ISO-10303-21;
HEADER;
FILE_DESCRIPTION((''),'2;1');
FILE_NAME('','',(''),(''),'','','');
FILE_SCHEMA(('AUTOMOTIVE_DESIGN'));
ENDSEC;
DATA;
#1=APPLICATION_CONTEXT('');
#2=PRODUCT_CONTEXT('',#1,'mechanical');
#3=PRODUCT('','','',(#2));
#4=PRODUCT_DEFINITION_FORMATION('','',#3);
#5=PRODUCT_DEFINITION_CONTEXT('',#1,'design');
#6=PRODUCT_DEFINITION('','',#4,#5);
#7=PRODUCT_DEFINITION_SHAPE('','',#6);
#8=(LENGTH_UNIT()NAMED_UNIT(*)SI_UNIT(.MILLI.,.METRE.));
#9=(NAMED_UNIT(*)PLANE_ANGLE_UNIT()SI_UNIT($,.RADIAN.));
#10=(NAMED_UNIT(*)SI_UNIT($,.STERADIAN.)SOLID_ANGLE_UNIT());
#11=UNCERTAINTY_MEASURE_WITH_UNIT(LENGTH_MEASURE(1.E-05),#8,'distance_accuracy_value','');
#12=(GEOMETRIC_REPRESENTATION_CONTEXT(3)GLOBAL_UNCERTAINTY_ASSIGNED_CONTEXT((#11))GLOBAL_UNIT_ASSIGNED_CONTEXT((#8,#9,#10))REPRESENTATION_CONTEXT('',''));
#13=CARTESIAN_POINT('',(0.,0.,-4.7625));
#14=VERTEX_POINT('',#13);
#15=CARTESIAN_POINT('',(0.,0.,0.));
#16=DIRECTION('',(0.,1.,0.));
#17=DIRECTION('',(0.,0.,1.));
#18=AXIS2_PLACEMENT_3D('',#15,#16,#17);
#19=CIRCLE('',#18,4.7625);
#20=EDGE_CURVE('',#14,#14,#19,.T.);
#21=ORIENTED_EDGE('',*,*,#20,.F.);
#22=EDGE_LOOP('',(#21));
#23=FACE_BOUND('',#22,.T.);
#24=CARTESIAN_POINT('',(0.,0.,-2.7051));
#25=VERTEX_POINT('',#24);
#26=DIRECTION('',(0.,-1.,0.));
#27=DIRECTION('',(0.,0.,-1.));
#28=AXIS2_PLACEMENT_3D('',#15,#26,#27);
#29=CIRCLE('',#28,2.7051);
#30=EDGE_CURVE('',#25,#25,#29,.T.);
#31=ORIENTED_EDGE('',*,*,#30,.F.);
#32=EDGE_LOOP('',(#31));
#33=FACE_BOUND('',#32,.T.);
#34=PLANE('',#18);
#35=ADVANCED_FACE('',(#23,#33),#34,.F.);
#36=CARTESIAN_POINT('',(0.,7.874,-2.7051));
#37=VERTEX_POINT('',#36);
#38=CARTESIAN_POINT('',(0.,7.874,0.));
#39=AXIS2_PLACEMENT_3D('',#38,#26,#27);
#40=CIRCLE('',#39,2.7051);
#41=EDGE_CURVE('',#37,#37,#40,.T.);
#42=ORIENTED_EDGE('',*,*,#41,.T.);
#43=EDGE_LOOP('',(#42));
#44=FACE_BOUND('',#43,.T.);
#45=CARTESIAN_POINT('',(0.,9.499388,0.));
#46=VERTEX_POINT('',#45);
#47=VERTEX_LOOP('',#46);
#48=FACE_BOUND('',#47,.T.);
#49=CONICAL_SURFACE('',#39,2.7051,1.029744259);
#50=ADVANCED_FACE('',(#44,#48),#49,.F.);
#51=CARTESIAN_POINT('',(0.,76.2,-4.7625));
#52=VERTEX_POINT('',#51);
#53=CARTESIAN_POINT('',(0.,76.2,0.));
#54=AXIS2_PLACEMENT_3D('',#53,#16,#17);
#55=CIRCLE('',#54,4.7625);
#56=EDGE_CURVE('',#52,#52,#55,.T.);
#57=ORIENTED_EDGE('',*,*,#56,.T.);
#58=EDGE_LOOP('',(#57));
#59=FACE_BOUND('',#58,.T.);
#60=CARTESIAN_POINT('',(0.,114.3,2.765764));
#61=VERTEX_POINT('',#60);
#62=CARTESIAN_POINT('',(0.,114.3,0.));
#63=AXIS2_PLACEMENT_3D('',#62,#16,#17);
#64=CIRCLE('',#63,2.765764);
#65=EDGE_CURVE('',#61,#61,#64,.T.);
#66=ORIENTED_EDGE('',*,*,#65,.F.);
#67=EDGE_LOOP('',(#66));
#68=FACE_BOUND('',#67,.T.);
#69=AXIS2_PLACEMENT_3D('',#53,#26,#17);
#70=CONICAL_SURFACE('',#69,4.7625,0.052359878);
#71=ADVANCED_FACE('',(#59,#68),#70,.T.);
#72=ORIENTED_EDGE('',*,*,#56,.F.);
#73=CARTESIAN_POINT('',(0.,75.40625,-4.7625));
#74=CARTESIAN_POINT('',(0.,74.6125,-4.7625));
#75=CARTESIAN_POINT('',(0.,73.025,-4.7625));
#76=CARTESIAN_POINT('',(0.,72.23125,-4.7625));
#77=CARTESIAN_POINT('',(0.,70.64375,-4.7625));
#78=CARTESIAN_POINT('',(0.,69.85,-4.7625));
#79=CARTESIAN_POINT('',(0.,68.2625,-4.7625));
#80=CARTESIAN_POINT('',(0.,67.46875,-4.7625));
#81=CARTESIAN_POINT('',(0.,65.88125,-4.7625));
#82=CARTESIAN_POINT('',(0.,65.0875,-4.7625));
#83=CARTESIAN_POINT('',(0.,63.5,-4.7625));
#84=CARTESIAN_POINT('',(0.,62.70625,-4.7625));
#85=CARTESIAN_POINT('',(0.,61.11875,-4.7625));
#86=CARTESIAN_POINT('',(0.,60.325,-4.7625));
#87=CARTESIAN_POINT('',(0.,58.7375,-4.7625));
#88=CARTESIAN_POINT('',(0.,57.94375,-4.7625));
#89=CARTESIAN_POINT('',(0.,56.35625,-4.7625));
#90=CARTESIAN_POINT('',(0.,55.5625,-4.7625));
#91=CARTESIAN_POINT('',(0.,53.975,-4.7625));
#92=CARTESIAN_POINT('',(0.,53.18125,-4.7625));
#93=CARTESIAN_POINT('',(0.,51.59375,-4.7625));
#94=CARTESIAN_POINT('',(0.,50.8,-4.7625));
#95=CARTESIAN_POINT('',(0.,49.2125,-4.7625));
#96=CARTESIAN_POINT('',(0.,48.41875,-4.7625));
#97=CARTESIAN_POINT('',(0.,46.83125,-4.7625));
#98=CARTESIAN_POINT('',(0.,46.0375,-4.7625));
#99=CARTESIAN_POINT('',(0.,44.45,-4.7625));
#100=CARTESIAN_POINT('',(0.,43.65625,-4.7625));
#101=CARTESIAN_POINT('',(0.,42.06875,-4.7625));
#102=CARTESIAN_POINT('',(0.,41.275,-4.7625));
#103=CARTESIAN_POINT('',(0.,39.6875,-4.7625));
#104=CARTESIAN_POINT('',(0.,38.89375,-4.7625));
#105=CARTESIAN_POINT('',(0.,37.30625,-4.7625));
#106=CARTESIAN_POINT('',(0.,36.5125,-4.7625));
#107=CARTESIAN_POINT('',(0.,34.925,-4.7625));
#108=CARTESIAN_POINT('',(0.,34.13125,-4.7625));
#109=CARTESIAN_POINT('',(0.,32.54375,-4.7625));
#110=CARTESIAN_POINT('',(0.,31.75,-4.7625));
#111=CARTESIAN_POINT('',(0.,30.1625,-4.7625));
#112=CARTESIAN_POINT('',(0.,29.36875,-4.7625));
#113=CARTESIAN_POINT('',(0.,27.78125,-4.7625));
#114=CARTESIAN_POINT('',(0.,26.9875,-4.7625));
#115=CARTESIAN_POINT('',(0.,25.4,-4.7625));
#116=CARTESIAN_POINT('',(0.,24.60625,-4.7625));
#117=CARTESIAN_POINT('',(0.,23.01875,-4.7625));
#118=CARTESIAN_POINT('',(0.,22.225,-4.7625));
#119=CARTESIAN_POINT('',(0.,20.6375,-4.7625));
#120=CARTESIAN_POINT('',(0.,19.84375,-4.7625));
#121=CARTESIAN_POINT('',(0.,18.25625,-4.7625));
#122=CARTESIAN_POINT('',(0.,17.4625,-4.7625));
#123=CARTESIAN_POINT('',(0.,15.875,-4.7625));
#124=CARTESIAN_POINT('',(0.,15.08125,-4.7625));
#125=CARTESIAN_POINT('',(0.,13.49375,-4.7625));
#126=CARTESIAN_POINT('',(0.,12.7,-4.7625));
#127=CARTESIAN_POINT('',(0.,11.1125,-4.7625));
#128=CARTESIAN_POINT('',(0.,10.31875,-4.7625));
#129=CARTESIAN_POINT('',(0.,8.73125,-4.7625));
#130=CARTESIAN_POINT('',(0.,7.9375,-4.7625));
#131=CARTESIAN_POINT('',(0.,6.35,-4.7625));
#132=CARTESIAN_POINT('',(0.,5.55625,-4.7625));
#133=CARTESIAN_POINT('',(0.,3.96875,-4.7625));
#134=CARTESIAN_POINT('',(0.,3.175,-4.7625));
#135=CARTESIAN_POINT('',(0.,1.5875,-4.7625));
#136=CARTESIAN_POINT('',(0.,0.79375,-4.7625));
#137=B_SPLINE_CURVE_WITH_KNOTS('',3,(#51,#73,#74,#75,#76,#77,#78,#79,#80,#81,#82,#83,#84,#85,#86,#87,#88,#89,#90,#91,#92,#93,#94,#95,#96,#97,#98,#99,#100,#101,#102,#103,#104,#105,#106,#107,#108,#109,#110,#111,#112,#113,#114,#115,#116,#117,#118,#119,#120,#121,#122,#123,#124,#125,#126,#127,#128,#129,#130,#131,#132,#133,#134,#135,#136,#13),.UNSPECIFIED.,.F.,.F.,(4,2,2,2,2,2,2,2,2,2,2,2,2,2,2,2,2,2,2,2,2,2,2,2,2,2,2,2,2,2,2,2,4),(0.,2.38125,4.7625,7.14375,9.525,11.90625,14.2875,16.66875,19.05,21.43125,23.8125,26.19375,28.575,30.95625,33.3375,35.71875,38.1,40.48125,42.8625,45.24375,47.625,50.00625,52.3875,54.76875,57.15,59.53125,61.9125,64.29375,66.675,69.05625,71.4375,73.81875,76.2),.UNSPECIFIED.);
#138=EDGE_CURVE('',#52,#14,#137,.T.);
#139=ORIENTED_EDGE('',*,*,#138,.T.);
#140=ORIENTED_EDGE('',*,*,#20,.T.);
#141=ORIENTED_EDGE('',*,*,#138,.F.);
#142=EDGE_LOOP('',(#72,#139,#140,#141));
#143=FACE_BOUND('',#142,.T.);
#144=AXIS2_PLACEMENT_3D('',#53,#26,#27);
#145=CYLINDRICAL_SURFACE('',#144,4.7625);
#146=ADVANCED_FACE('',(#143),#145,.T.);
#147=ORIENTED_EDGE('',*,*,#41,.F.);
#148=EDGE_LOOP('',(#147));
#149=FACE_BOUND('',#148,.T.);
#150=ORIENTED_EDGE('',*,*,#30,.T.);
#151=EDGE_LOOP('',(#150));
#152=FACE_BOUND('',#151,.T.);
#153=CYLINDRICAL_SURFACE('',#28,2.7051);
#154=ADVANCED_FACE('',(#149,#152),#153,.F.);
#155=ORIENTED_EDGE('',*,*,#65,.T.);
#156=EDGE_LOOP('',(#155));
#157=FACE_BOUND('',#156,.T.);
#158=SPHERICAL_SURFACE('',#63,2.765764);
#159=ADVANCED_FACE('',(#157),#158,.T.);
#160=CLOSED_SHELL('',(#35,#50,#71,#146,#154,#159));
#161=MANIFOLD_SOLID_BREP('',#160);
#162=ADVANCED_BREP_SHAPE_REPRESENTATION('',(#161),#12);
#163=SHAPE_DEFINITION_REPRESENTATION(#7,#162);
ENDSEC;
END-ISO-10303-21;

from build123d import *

# Parameters (mm, degrees)
SKETCH1_R                   = 4.7625
BOSS_EXTRUDE1_DEPTH         = 76.2
SKETCH2_R                   = 4.7625
BOSS_EXTRUDE2_DEPTH         = 38.1
BOSS_EXTRUDE2_TAPER         = 3
F_1_4_28_TAPPED_HOLE1_D     = 5.4102
F_1_4_28_TAPPED_HOLE1_DEPTH = 7.874
F_1_4_28_TAPPED_HOLE1_TIP   = 1.625388061


with BuildPart() as part:
    # Sketch1 → Boss-Extrude1 (new body)
    with BuildSketch(Plane(origin=(0, 0, 0), x_dir=(1, 0, 0), z_dir=(0, 1, 0))):
        with Locations(Location((0, 0, 0), (0, 0, 90))):
            Circle(SKETCH1_R)
    extrude(amount=BOSS_EXTRUDE1_DEPTH)

    # Sketch2 → Boss-Extrude2 (add)
    with BuildSketch(Plane(origin=(0, 76.2, 0), x_dir=(1, 0, 0), z_dir=(0, 1, 0))):
        with Locations(Location((0, 0, 0), (0, 0, 90))):
            Circle(SKETCH2_R)
    extrude(amount=BOSS_EXTRUDE2_DEPTH, taper=BOSS_EXTRUDE2_TAPER)

    # Sketch3 → Revolve1 (revolve)
    with BuildSketch(Plane(origin=(0, 114.3, 0), x_dir=(1, 0, 0), z_dir=(0, 1, 0))):
        with BuildLine():
            Line((0, 2.765763609), (0, -2.765763609))
            ThreePointArc((0, -2.765763609), (2.765763609, 0), (0, 2.765763609))
        make_face()
    revolve(axis=Axis((0, 114.3, -2.765763609), (0, 0, 1)))

    # 1/4-28 Tapped Hole1
    with Locations(Plane.XZ):
        with Locations((0, 0)):
            Hole(F_1_4_28_TAPPED_HOLE1_D / 2, depth=F_1_4_28_TAPPED_HOLE1_DEPTH)
            with Locations((0, 0, -(F_1_4_28_TAPPED_HOLE1_DEPTH + F_1_4_28_TAPPED_HOLE1_TIP / 2))):  # 118° drill point
                Cone(0, F_1_4_28_TAPPED_HOLE1_D / 2, F_1_4_28_TAPPED_HOLE1_TIP, mode=Mode.SUBTRACT)


solid = part.part
